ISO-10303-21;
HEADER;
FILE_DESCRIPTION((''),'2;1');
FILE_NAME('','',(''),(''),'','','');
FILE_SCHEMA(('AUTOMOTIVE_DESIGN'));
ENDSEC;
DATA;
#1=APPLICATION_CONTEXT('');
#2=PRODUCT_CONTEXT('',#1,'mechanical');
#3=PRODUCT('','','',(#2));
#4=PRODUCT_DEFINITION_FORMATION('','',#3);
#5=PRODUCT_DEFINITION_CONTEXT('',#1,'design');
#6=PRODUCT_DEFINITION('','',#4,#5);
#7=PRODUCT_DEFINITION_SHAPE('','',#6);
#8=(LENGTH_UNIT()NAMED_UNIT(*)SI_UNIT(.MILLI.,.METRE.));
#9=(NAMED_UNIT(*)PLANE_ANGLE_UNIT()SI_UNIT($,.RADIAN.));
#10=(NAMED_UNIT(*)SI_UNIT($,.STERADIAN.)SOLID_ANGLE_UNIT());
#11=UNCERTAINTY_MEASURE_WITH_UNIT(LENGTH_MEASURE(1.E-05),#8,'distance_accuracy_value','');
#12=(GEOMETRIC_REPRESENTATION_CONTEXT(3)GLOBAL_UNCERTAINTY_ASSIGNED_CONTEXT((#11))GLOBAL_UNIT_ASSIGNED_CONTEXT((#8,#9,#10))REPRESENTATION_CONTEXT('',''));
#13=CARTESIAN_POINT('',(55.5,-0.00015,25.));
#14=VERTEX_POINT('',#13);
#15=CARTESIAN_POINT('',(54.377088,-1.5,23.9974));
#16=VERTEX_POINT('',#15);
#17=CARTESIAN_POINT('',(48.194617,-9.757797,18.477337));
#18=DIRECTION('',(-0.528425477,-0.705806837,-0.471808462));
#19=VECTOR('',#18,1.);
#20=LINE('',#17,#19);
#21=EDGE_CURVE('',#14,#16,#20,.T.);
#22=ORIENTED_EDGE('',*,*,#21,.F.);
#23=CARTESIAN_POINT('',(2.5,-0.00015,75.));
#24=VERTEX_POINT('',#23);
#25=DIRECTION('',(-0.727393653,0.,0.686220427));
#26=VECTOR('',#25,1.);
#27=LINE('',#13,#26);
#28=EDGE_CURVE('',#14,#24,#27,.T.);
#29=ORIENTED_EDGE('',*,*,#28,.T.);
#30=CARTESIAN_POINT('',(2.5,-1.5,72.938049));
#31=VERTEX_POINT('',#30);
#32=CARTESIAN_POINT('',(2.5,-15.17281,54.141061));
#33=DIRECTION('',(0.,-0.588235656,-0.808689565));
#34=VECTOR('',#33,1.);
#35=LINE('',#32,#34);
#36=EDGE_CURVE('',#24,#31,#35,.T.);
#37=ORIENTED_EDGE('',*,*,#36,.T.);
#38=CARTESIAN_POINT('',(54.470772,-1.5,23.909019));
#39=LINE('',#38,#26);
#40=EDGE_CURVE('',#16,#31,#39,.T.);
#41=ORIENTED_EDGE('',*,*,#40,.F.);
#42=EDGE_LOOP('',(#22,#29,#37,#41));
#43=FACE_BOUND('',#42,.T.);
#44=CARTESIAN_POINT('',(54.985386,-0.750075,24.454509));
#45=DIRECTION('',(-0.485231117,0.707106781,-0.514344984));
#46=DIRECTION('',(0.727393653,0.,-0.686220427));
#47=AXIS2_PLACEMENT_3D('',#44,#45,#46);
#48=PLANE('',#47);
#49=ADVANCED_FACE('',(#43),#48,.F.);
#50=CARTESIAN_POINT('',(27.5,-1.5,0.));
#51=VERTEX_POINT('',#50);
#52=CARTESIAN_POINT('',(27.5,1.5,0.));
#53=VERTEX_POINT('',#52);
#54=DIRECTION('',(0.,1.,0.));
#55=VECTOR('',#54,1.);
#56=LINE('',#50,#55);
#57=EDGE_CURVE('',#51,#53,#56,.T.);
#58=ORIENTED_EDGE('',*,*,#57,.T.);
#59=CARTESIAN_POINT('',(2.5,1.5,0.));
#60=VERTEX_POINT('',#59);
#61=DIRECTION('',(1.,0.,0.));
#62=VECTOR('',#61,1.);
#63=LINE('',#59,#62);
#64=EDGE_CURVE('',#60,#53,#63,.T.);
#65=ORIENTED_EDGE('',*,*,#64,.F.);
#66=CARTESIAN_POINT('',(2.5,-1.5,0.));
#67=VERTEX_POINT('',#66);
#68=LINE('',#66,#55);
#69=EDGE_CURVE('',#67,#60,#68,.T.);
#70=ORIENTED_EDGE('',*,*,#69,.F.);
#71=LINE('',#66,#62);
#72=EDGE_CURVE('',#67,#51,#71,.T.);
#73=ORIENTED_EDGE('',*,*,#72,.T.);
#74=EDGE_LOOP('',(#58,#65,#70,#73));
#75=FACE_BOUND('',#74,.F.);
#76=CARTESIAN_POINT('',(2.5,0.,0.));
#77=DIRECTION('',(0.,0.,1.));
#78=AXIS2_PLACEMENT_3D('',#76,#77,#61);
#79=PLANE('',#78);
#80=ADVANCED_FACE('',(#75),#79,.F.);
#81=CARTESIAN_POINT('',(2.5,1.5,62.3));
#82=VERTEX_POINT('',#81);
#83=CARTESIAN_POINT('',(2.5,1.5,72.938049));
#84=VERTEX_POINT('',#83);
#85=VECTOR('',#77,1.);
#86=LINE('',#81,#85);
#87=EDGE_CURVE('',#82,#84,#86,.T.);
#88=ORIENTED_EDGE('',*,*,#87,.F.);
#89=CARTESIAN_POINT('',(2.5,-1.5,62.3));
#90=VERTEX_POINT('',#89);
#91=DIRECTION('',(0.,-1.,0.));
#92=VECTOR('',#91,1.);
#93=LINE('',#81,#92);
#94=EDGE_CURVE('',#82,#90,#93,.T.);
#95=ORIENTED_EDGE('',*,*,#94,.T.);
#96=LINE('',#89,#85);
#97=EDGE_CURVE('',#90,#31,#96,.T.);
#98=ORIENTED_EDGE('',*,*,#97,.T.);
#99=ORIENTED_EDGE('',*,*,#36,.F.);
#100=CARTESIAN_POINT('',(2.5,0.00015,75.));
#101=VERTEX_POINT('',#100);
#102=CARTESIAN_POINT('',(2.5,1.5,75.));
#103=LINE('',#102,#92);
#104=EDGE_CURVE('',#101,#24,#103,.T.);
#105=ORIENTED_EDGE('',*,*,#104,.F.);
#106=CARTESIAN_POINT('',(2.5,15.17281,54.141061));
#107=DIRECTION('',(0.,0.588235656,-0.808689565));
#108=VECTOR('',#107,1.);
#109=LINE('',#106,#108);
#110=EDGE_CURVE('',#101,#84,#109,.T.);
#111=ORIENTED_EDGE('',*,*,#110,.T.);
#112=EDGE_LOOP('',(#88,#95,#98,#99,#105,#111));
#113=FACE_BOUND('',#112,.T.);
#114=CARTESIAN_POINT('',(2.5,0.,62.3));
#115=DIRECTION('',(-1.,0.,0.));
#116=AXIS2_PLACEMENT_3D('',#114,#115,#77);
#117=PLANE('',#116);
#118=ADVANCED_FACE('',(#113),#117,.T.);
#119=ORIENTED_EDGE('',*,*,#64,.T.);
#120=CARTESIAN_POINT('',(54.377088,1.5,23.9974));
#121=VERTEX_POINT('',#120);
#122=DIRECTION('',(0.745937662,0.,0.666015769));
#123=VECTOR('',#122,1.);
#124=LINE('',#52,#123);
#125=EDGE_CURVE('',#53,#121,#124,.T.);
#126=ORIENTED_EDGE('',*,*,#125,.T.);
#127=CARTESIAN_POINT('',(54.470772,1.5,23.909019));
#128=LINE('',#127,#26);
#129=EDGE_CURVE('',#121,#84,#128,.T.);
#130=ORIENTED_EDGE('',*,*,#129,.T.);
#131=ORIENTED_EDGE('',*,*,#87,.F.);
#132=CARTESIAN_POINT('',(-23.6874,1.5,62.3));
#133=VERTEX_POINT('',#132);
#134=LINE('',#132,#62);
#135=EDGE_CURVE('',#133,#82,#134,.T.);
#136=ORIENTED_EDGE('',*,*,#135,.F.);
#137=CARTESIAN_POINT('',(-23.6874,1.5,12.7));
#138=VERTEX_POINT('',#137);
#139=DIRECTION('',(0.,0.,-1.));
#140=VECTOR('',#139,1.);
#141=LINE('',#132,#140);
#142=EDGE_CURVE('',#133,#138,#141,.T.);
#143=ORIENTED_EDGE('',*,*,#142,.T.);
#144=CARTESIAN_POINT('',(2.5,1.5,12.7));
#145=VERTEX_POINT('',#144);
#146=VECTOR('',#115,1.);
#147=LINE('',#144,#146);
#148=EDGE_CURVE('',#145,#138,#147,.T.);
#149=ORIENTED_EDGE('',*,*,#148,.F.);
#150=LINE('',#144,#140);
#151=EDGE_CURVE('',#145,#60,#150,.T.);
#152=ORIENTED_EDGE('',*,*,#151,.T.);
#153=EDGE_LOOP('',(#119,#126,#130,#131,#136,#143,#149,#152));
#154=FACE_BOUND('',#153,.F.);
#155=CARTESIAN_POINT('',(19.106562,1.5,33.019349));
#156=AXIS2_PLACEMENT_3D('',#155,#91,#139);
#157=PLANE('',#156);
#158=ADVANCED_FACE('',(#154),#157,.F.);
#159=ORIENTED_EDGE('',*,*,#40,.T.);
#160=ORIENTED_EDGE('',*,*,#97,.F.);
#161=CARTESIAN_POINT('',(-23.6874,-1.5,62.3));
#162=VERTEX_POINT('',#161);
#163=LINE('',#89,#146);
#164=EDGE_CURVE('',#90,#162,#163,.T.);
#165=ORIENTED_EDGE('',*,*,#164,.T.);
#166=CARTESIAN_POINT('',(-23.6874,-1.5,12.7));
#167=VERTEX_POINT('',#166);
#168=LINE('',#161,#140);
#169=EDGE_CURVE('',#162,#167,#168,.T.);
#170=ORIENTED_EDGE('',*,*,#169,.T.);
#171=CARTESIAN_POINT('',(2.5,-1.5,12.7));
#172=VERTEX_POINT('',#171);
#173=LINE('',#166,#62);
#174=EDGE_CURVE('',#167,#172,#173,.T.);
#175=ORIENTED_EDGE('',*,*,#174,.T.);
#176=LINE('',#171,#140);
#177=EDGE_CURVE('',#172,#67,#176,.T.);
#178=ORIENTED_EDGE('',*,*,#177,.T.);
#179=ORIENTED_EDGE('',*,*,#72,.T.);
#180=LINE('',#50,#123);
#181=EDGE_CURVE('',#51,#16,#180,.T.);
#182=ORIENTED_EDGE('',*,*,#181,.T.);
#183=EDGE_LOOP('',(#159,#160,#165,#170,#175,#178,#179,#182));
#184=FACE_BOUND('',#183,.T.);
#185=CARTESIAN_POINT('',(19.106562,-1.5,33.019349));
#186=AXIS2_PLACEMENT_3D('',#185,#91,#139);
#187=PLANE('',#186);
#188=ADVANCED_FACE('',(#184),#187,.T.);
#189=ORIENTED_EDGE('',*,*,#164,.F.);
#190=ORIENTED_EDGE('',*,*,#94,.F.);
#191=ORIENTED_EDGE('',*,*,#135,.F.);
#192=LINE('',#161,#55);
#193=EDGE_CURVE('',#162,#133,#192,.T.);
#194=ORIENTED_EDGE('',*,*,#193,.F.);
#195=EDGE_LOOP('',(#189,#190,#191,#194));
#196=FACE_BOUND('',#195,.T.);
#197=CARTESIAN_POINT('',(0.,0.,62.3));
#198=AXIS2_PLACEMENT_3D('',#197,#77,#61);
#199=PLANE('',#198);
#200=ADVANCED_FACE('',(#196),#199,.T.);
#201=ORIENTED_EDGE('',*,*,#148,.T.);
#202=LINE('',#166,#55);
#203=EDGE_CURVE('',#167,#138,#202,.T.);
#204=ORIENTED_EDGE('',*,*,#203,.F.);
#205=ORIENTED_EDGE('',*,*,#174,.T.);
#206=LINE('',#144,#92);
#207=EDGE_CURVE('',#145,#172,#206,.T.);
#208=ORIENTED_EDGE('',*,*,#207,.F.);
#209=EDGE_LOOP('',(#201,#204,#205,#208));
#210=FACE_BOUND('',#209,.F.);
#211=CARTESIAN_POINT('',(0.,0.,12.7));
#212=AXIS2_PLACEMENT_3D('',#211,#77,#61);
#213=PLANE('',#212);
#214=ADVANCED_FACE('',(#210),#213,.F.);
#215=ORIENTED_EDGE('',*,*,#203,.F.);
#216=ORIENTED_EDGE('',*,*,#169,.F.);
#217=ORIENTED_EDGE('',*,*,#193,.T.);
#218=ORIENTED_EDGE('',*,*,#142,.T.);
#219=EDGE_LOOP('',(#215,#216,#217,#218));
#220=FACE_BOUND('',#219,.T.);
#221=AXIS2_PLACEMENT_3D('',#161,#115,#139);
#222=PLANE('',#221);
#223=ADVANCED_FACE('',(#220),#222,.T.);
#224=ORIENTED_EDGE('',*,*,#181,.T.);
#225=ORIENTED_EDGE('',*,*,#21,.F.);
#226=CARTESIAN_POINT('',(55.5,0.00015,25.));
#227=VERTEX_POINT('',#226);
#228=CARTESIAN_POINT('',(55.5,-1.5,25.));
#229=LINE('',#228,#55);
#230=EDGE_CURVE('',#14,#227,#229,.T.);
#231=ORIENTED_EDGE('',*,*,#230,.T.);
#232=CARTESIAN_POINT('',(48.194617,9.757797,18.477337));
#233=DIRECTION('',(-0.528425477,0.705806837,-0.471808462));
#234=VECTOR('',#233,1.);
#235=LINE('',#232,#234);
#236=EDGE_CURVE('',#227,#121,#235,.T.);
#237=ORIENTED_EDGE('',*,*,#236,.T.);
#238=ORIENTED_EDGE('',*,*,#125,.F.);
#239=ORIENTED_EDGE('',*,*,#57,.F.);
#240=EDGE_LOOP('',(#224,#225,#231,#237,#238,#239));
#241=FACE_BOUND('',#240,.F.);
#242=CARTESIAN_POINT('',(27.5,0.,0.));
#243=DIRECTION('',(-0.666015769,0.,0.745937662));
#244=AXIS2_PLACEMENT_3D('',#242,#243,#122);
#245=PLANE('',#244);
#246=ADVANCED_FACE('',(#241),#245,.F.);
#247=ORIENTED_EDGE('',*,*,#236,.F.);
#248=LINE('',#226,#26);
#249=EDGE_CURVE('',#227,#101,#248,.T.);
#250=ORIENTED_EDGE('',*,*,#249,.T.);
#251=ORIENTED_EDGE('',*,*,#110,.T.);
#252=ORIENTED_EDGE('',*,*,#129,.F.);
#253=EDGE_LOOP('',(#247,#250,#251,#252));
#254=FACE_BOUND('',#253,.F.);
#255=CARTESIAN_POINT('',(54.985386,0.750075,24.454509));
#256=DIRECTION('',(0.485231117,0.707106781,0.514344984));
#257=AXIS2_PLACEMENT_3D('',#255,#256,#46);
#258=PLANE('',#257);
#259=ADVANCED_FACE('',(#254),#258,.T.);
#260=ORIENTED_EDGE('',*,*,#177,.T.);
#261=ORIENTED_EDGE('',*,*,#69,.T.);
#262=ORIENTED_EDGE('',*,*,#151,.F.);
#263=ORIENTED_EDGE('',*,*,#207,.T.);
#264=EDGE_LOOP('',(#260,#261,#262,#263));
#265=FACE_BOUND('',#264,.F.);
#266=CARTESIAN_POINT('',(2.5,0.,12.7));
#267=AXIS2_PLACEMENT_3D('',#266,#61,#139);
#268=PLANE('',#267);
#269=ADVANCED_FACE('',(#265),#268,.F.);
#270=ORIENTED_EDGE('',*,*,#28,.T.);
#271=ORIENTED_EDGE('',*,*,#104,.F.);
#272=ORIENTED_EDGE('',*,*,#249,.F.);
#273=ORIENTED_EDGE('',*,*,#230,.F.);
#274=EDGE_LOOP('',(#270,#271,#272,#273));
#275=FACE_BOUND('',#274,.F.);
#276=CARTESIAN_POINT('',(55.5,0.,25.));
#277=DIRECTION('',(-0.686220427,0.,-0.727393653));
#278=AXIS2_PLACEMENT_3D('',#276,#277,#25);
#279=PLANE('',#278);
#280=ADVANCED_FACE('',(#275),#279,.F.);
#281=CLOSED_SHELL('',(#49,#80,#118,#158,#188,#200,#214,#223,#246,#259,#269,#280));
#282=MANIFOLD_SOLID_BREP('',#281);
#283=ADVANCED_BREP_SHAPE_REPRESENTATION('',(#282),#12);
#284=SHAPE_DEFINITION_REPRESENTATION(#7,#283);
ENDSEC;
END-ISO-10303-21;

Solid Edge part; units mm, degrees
sketch "Sketch1" plane through (0, 0, 0) normal (0, -1, 0) x (1, 0, 0)
  line L0 (55.5, 25) -> (2.5, 75)
  line L1 (2.5, 62.3) -> (2.5, 75)
  line L2 (0, 62.3) -> (2.5, 62.3)
  line L3 (0, 12.7) -> (0, 62.3)
  line L4 (0, 12.7) -> (2.5, 12.7)
  line L5 (2.5, 12.7) -> (2.5, 0)
  line L6 (2.5, 0) -> (27.5, 0)
  line L7 (27.5, 0) -> (55.5, 25)
extrude "Protrusion1" add sketch "Sketch1" along normal mid plane 3
chamfer "Chamfer_1" distance 1.5 angle 45 2 edges at (29, -1.5, 50) (29, 1.5, 50)
sketch "Sketch2" plane through (27.1885, -1.5, 36.4689) normal (0, -1, 0) x (-1, 0, 0)
  line L0 (24.6885, -25.8311) -> (50.8759, -25.8311)
  line L1 (50.8759, -25.8311) -> (50.8759, 23.7689)
  line L2 (50.8759, 23.7689) -> (24.6885, 23.7689)
  line L3 (24.6885, 23.7689) -> (24.6885, -25.8311)
extrude "Protrusion2" add sketch "Sketch2" against normal up to vertex (3 mm away)
